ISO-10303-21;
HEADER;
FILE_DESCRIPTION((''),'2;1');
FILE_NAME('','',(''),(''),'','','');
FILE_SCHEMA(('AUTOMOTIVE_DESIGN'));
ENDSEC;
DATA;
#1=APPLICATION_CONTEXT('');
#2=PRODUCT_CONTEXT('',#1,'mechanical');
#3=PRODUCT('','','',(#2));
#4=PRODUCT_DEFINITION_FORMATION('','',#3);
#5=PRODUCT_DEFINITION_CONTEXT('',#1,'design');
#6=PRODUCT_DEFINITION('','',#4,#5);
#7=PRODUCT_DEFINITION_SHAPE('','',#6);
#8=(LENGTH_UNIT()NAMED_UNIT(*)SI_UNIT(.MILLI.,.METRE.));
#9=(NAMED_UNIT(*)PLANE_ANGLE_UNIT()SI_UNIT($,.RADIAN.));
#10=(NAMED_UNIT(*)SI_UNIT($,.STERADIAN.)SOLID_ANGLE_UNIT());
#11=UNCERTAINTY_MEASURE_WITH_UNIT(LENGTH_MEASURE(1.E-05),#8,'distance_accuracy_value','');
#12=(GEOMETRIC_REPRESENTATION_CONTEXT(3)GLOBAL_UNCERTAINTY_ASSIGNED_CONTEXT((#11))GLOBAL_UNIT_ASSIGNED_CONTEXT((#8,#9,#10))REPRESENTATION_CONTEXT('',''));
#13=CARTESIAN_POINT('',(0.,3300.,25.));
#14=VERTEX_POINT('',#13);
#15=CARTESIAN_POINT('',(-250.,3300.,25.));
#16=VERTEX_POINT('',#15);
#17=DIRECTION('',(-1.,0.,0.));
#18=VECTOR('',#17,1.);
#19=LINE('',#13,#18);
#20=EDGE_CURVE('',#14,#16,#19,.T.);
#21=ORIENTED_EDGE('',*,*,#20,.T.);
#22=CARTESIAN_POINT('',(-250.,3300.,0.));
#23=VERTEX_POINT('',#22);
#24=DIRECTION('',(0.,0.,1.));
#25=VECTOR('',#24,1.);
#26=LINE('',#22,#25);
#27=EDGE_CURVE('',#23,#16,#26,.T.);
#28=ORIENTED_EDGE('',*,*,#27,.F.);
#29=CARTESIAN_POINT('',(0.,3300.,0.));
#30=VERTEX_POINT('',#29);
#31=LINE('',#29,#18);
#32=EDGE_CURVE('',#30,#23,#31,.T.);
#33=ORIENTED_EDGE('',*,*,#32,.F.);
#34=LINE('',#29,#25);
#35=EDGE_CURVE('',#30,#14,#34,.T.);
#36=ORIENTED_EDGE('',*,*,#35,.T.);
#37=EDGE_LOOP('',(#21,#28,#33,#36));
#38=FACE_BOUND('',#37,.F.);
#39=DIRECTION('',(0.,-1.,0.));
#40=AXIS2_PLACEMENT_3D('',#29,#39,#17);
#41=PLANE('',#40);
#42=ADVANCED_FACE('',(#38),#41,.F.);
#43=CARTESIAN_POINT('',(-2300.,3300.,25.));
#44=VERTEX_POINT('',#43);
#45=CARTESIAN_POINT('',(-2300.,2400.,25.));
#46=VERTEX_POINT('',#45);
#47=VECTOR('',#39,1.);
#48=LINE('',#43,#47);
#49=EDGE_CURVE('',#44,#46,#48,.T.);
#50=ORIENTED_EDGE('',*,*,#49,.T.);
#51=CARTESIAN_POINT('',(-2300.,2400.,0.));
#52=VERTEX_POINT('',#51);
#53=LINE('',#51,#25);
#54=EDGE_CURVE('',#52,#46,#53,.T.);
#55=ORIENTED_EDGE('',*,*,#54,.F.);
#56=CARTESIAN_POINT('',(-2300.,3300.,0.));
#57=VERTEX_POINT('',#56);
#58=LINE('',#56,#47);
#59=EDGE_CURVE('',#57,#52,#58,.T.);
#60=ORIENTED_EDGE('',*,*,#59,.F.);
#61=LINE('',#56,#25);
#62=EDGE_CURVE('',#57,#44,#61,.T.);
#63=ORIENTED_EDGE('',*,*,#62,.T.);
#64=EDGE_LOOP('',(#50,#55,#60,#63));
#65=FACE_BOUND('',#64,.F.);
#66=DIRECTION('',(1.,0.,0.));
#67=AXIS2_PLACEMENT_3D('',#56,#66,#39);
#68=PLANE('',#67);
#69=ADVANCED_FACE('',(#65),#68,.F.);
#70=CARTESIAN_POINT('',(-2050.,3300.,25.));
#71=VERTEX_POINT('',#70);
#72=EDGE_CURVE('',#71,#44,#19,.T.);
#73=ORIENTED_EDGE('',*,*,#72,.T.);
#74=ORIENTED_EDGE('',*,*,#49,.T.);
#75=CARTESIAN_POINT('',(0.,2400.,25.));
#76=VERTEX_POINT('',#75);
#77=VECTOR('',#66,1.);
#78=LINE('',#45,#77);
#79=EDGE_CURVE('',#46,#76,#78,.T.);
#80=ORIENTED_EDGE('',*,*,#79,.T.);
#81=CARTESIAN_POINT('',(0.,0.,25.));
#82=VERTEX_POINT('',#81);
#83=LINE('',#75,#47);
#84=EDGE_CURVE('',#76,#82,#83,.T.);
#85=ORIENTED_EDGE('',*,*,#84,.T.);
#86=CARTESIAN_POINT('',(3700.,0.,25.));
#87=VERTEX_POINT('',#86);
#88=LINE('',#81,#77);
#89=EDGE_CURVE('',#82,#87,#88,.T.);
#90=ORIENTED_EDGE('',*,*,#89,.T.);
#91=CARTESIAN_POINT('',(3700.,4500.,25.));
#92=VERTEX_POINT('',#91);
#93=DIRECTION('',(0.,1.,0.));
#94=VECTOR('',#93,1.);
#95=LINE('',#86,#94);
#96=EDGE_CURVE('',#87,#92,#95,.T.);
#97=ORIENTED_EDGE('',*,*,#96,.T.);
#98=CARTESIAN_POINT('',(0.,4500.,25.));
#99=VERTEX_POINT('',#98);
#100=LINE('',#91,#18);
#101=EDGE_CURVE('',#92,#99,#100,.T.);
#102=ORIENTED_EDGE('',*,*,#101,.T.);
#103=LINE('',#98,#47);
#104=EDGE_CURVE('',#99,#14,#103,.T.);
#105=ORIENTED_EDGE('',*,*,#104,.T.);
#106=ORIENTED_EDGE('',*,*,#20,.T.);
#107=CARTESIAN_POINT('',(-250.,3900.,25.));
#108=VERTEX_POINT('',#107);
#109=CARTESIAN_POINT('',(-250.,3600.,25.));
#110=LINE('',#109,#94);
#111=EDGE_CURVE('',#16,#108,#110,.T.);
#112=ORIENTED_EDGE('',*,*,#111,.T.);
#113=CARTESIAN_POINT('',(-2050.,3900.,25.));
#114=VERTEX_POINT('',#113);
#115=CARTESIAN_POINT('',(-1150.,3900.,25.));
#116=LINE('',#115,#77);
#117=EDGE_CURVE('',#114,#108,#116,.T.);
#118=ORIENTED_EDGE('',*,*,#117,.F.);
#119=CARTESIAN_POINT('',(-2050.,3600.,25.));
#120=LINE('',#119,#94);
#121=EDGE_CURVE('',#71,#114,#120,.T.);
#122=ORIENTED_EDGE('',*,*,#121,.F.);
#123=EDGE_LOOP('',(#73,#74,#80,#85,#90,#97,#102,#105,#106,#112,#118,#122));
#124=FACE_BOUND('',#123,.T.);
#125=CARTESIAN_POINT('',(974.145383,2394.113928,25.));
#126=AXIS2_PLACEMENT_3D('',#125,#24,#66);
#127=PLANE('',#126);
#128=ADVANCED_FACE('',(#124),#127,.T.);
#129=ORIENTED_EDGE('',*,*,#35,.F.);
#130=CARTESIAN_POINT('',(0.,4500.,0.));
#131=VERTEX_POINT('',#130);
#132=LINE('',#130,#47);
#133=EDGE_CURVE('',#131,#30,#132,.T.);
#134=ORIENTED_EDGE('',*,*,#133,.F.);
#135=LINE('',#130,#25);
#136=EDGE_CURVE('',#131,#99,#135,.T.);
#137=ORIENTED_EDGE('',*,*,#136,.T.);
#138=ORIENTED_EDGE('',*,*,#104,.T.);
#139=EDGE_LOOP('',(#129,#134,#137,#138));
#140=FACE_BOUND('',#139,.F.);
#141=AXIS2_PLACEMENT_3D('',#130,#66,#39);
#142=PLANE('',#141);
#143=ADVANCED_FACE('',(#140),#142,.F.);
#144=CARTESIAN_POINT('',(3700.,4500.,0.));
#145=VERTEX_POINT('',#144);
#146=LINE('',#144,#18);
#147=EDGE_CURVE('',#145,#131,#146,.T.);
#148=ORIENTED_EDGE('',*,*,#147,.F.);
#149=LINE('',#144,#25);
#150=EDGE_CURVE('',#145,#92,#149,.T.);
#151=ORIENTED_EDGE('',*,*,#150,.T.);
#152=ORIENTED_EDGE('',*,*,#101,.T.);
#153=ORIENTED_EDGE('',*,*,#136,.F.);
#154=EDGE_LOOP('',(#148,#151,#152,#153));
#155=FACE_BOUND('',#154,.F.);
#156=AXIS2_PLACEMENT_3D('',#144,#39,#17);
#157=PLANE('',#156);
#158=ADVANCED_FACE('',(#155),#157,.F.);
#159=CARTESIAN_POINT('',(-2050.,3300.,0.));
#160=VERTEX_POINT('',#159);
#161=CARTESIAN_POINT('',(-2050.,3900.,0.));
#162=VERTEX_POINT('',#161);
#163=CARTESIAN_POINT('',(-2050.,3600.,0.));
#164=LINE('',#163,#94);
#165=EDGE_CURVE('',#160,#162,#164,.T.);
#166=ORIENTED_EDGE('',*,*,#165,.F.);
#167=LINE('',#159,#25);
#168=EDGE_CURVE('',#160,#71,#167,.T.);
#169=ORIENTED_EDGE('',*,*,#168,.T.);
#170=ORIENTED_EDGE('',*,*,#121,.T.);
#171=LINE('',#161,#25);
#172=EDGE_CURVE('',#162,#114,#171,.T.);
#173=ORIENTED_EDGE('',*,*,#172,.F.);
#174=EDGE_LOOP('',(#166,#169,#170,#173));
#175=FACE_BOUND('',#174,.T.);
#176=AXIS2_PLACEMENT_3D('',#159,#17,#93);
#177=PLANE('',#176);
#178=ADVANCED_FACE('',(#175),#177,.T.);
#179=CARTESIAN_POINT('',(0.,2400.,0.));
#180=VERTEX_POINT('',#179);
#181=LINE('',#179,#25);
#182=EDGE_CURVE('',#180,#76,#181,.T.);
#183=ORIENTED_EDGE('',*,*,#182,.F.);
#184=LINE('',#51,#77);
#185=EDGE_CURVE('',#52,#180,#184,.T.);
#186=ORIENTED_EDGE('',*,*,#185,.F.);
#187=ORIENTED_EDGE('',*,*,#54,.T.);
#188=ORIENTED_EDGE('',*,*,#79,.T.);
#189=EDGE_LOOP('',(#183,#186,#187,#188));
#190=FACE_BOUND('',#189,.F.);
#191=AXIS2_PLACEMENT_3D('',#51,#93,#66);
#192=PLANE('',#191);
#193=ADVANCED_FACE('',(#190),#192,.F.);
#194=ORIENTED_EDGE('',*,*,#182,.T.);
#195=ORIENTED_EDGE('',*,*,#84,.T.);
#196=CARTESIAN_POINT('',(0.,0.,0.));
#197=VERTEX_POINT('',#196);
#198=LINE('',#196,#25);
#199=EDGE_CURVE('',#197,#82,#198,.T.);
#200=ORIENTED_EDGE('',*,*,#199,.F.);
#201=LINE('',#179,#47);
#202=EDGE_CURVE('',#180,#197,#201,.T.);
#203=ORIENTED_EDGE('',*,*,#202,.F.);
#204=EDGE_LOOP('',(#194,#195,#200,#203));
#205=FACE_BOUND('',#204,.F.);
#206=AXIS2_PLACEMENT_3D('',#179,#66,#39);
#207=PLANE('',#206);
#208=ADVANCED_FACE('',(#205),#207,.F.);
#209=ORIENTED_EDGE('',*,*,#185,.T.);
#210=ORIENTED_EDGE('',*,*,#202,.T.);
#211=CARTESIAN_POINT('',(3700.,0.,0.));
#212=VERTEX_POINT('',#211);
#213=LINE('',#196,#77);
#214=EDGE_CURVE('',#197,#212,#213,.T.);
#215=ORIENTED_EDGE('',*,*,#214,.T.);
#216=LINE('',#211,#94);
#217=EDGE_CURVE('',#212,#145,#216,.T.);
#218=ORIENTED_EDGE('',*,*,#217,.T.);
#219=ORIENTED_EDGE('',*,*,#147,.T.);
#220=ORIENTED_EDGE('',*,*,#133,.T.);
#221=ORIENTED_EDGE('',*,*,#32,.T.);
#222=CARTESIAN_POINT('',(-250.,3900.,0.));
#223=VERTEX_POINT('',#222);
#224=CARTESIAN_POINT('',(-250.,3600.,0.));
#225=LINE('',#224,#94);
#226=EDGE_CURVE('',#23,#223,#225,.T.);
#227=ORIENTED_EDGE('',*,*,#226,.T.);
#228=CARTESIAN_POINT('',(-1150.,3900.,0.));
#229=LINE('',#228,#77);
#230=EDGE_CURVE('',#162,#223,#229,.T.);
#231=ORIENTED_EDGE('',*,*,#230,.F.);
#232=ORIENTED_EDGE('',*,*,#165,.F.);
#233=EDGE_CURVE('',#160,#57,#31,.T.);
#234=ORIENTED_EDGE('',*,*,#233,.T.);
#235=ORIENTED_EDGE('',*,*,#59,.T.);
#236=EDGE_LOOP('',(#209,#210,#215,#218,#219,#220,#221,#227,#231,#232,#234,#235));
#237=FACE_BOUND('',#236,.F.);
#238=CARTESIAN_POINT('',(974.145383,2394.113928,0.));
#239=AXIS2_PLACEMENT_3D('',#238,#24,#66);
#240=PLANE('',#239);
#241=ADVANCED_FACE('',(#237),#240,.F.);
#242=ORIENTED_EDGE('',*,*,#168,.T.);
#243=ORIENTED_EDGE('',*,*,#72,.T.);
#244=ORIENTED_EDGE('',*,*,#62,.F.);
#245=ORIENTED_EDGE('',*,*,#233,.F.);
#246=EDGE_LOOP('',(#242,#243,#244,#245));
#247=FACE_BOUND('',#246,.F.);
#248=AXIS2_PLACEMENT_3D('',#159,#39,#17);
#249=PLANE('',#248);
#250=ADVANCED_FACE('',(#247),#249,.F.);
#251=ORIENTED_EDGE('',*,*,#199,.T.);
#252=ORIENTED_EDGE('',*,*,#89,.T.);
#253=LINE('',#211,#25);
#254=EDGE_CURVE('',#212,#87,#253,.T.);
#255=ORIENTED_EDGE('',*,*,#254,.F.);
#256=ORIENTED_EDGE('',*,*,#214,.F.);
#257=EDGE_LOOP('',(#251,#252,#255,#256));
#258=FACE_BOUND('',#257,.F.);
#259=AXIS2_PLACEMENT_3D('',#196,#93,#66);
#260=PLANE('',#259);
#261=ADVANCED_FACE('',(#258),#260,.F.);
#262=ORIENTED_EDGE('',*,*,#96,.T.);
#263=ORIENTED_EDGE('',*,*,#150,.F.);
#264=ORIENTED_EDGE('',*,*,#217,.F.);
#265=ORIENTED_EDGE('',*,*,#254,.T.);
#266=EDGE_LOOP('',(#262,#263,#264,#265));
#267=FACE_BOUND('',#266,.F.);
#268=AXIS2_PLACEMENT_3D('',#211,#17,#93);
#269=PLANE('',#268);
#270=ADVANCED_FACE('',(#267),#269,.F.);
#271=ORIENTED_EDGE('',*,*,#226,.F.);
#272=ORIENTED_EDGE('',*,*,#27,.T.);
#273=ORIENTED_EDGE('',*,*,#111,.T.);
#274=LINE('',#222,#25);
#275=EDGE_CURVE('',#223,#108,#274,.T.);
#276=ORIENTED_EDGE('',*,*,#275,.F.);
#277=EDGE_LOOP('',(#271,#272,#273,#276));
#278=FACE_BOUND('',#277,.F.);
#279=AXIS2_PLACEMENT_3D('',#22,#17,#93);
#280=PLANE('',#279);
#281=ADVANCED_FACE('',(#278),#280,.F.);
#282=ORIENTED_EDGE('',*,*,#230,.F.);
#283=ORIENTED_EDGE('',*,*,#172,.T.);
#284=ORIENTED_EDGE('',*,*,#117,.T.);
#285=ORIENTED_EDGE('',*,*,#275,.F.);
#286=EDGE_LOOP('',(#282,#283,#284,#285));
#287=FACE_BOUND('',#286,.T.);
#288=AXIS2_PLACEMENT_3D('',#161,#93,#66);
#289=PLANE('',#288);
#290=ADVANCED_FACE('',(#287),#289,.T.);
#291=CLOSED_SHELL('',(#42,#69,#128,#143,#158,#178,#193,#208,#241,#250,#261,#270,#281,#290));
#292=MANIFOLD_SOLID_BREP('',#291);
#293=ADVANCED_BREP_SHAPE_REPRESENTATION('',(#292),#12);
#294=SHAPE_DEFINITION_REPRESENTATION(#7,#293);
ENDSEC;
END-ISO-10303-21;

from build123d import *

# Parameters (mm, degrees)
F0_W     = 1800
F0_H     = 600
F1_DEPTH = 25


with BuildPart() as f1:
    # F0 (on Top) → F1 (new body)
    with BuildSketch(Plane.XY):
        with BuildLine():
            Line((0, 2400), (0, 0))
            Line((0, 0), (3700, 0))
            Line((3700, 0), (3700, 4500))
            Line((3700, 4500), (0, 4500))
            Line((0, 4500), (0, 3300))
            Line((0, 3300), (-250, 3300))
            Line((-250, 3300), (-2050, 3300))
            Line((-2050, 3300), (-2300, 3300))
            Line((-2300, 3300), (-2300, 3100))
            ThreePointArc((-2300, 3100), (-1875.735931, 2924.264069), (-1700, 2500))
            Line((-1700, 2500), (-2300, 2500))
            Line((-2300, 2500), (-2300, 2400))
            Line((-2300, 2400), (0, 2400))
        make_face()
        with BuildLine():
            Line((-2300, 3100), (-2300, 2500))
            Line((-2300, 2500), (-1700, 2500))
            ThreePointArc((-1700, 2500), (-1875.735931, 2924.264069), (-2300, 3100))
        make_face()
        with Locations((-1150, 3600)):
            Rectangle(F0_W, F0_H)
    extrude(amount=F1_DEPTH)


solid = f1.part
